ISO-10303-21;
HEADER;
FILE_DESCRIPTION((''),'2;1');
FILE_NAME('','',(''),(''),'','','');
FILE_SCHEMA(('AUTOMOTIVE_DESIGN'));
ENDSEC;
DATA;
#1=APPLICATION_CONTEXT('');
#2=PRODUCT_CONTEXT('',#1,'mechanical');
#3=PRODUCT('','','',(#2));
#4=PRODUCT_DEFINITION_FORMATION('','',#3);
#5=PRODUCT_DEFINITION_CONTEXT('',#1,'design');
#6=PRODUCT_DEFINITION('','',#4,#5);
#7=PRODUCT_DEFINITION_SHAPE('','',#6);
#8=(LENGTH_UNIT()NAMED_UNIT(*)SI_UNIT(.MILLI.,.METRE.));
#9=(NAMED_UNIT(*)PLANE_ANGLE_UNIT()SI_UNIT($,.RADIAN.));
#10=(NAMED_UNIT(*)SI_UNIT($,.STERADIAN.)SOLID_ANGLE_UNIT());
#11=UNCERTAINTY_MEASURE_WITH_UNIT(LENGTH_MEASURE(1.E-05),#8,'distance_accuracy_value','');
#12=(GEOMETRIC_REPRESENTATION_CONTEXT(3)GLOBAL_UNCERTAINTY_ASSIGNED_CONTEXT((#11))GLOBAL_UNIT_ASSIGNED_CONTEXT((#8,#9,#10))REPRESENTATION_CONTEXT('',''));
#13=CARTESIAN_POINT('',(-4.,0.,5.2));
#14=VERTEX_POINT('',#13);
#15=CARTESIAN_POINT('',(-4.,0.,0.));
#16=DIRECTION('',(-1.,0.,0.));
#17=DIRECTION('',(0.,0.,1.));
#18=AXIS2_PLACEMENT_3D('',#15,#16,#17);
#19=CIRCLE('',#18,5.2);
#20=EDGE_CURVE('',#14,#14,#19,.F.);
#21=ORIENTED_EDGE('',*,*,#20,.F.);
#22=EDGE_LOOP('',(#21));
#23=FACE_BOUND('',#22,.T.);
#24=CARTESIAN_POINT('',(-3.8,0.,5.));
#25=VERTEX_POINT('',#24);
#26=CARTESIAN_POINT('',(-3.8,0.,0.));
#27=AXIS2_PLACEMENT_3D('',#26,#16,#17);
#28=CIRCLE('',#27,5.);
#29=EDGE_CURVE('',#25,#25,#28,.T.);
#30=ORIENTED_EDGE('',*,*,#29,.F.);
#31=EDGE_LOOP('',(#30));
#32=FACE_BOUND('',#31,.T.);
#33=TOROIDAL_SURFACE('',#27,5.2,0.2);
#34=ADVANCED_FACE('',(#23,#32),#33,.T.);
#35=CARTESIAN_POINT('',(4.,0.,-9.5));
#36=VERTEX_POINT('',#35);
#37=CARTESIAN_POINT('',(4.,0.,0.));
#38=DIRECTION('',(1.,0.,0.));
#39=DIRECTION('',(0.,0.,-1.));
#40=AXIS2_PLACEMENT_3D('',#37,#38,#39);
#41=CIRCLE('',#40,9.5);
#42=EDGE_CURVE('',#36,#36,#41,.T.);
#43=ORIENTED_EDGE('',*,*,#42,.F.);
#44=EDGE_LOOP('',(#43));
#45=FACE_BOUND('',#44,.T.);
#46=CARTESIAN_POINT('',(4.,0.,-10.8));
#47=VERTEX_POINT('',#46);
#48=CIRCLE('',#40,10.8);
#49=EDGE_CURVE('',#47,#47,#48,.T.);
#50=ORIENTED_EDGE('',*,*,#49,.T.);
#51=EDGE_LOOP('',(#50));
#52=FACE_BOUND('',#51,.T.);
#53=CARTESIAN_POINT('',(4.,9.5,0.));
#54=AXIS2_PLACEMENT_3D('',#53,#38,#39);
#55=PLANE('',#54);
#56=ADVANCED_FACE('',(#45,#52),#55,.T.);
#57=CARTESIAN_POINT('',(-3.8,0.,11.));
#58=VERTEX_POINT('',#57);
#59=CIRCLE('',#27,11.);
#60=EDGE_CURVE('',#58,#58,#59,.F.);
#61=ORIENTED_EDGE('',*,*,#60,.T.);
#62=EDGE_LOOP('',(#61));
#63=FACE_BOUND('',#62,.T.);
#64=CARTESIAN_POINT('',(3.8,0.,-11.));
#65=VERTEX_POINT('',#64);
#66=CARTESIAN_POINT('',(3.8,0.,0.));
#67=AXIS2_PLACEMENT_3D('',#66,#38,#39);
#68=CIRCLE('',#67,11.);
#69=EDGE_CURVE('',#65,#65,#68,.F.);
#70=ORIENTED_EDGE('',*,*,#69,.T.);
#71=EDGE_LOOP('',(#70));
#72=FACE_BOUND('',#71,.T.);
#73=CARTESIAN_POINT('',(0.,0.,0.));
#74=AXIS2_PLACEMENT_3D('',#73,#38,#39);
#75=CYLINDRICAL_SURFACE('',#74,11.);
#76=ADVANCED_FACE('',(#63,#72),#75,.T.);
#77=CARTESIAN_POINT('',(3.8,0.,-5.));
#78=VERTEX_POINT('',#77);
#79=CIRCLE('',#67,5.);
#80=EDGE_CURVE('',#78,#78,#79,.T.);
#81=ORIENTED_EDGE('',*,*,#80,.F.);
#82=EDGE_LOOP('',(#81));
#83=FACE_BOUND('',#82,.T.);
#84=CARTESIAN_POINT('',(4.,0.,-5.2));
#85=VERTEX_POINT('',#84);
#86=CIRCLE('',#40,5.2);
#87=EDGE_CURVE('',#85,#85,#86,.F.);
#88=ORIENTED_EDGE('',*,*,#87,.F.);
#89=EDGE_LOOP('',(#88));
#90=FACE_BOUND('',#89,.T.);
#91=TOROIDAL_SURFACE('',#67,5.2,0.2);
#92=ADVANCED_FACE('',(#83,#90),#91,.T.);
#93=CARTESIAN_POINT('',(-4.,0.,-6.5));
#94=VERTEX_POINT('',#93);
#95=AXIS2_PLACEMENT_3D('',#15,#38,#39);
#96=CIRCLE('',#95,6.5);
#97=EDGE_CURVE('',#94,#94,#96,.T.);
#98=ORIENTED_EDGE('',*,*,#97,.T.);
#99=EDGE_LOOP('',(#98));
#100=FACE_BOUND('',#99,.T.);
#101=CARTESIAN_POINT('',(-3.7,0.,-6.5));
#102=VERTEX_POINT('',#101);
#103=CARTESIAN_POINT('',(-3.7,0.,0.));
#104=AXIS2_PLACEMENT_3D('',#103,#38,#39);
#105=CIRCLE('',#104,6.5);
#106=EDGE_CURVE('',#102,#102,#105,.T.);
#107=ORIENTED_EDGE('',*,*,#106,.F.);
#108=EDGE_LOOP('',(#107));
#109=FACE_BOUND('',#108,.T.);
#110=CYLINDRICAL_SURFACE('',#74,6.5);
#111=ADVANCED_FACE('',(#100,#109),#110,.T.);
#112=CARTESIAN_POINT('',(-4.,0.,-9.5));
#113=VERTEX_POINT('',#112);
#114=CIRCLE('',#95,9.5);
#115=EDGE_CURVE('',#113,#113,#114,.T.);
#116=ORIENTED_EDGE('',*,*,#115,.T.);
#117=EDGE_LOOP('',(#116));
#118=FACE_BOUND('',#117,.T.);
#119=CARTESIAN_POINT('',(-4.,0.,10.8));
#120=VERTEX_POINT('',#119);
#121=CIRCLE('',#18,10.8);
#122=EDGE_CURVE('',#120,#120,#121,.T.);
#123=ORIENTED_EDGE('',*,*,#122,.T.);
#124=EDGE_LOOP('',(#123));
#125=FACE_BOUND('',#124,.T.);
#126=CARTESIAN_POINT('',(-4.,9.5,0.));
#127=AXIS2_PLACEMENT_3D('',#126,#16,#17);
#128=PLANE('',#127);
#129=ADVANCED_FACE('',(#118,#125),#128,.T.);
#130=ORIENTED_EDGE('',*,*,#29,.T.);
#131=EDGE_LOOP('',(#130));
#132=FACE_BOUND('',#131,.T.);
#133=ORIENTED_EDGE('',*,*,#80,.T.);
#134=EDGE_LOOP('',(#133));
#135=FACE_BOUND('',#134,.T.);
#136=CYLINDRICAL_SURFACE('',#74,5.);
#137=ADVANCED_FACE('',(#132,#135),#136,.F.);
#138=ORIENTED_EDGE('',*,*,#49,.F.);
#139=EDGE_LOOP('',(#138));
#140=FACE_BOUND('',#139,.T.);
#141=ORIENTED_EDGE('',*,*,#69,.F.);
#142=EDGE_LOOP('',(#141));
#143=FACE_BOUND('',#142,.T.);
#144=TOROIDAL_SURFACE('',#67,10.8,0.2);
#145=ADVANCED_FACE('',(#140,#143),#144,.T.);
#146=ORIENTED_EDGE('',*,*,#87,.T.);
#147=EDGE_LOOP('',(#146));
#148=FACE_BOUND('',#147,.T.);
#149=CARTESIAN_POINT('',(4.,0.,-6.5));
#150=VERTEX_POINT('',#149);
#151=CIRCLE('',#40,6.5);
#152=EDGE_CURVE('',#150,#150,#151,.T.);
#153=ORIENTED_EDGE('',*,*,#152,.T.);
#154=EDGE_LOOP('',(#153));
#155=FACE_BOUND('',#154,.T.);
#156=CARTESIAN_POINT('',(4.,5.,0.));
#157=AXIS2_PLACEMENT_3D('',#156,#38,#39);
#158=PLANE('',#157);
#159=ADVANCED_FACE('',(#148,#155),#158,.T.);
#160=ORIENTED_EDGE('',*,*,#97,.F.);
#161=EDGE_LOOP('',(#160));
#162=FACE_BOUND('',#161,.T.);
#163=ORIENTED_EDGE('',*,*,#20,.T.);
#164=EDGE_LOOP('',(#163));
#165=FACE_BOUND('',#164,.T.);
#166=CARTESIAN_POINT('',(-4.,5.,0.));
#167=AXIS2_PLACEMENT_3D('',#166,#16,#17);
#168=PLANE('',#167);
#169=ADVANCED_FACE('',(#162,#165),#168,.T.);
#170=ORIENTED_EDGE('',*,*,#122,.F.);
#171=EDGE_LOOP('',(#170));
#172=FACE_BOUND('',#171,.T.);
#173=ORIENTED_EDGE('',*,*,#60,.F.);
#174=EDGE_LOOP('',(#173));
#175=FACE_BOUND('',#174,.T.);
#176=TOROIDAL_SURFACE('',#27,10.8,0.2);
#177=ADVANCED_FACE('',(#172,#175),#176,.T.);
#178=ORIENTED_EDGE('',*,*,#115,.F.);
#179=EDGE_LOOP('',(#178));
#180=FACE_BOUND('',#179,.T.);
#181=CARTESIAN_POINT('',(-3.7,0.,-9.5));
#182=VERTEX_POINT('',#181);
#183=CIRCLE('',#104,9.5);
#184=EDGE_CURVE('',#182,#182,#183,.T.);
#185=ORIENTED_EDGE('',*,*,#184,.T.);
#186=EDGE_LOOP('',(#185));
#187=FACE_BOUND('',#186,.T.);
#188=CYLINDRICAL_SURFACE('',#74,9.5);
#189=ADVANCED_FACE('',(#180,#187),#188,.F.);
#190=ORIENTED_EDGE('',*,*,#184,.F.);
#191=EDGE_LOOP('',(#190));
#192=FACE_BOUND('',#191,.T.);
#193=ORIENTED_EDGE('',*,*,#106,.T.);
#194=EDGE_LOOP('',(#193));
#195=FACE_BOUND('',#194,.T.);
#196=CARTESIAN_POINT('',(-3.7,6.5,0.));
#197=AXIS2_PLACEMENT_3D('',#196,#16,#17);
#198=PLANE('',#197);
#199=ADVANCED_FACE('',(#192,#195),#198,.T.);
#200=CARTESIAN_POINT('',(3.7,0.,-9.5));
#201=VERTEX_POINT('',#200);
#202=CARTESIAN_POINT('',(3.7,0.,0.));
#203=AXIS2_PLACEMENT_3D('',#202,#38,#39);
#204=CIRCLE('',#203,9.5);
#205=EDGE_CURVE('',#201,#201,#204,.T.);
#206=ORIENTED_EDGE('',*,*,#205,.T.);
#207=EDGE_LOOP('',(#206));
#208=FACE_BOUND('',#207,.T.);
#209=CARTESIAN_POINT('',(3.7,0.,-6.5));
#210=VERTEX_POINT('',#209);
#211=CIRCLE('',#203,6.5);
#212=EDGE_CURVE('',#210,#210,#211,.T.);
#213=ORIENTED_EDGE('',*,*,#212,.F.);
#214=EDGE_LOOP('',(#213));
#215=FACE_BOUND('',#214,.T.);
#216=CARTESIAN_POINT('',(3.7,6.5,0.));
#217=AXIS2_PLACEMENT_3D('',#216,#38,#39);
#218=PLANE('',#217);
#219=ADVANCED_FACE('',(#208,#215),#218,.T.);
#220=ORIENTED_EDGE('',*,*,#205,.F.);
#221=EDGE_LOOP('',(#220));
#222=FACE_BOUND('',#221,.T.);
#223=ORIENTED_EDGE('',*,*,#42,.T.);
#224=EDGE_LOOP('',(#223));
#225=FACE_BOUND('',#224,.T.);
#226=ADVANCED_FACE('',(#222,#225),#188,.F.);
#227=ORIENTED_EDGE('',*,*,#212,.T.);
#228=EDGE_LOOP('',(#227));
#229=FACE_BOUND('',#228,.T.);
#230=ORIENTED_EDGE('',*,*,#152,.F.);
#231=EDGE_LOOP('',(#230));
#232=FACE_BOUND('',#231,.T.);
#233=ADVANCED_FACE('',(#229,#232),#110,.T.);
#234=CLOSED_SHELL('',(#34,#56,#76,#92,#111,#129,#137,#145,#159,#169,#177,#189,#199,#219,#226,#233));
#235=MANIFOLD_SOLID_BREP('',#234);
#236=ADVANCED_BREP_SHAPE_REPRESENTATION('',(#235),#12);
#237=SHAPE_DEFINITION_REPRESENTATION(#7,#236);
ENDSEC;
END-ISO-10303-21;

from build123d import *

# Parameters (mm, degrees)
FILLET1_R = 0.2


with BuildPart() as part:
    # Sketch1 → Revolve1 (revolve)
    with BuildSketch(Plane.XY, mode=Mode.PRIVATE) as revolve1_sk:
        Polygon((4, 5), (-4, 5), (-4, 6.5), (-3.7, 6.5), (-3.7, 9.5), (-4, 9.5), (-4, 11), (4, 11), (4, 9.5), (3.7, 9.5), (3.7, 6.5), (4, 6.5), align=None)
    revolve(revolve1_sk.sketch.rotate(Axis((0, 0, 0), (-1, 0, 0)), 90), axis=Axis((0, 0, 0), (-1, 0, 0)))

    # Fillet1
    fillet1_edges = [part.edges().sort_by_distance(p)[0] for p in [
        (4, 0, 11),
        (-4, 0, 11),
        (-4, 0, 5),
        (4, 0, 5),
    ]]
    fillet(fillet1_edges, radius=FILLET1_R)


solid = part.part
